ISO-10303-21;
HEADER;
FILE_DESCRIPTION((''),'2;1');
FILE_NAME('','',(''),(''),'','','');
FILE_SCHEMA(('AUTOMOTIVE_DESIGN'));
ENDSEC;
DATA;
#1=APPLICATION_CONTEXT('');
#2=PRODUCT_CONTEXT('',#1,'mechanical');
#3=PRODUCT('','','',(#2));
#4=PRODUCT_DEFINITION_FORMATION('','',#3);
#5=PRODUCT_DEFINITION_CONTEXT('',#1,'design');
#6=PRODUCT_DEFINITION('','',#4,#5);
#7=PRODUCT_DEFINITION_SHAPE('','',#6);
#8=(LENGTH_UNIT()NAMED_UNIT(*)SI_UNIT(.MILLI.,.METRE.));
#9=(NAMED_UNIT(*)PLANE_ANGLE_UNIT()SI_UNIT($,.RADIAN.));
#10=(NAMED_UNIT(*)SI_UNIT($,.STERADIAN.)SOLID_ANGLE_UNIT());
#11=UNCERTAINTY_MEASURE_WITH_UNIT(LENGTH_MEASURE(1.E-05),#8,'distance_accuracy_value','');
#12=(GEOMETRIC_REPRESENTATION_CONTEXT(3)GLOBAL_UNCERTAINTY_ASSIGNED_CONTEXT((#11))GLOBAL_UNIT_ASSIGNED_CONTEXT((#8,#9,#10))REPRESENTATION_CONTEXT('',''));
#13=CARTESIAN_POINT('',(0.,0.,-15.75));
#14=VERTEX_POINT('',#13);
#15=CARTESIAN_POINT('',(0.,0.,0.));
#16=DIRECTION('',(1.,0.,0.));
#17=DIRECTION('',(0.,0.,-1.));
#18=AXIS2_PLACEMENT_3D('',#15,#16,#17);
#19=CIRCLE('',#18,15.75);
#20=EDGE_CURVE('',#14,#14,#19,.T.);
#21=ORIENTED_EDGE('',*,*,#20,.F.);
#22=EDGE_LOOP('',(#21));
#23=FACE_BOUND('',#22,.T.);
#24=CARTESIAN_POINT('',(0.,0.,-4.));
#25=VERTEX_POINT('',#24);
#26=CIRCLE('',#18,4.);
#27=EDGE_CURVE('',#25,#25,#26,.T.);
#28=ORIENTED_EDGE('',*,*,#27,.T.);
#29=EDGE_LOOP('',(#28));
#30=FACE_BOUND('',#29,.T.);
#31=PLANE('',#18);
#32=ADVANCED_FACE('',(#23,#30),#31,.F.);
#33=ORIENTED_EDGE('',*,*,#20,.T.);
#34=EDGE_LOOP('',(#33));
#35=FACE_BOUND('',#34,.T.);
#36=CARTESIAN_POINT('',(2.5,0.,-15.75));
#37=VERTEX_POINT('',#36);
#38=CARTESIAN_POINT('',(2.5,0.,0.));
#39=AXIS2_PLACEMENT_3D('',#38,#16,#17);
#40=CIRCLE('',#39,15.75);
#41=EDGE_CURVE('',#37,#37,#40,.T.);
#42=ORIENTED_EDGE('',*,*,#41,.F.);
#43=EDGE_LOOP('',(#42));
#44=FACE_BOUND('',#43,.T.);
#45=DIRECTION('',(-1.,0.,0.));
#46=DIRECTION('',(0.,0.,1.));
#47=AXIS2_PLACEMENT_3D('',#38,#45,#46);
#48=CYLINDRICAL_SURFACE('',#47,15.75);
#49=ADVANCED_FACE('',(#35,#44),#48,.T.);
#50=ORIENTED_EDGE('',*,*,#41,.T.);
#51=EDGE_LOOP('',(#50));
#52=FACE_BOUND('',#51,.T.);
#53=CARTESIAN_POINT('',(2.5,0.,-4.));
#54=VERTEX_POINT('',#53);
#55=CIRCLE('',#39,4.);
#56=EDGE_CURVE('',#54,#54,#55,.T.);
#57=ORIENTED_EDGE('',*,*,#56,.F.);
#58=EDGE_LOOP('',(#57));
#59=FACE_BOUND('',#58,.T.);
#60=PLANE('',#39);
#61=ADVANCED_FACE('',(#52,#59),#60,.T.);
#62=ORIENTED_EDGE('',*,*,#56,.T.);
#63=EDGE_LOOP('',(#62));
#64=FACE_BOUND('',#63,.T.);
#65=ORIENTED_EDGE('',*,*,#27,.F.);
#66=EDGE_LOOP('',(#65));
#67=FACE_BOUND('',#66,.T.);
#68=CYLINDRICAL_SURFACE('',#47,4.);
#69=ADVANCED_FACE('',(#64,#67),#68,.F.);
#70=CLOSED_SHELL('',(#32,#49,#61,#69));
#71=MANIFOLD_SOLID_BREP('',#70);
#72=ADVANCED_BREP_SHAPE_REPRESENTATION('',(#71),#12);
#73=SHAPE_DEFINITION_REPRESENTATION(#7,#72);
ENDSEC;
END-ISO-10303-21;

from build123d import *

# Parameters (mm, degrees)
SKETCH_1_R      = 15.75
SKETCH_1_R_2    = 4
EXTRUDE_1_DEPTH = 2.5


with BuildPart() as part:
    # ｽｹｯﾁ1 → ﾎﾞｽ - 押し出し1 (new body)
    with BuildSketch(Plane(origin=(0, 0, 0), x_dir=(0, 0, -1), z_dir=(1, 0, 0))):
        Circle(SKETCH_1_R)
        Circle(SKETCH_1_R_2, mode=Mode.SUBTRACT)
    extrude(amount=EXTRUDE_1_DEPTH)


solid = part.part
